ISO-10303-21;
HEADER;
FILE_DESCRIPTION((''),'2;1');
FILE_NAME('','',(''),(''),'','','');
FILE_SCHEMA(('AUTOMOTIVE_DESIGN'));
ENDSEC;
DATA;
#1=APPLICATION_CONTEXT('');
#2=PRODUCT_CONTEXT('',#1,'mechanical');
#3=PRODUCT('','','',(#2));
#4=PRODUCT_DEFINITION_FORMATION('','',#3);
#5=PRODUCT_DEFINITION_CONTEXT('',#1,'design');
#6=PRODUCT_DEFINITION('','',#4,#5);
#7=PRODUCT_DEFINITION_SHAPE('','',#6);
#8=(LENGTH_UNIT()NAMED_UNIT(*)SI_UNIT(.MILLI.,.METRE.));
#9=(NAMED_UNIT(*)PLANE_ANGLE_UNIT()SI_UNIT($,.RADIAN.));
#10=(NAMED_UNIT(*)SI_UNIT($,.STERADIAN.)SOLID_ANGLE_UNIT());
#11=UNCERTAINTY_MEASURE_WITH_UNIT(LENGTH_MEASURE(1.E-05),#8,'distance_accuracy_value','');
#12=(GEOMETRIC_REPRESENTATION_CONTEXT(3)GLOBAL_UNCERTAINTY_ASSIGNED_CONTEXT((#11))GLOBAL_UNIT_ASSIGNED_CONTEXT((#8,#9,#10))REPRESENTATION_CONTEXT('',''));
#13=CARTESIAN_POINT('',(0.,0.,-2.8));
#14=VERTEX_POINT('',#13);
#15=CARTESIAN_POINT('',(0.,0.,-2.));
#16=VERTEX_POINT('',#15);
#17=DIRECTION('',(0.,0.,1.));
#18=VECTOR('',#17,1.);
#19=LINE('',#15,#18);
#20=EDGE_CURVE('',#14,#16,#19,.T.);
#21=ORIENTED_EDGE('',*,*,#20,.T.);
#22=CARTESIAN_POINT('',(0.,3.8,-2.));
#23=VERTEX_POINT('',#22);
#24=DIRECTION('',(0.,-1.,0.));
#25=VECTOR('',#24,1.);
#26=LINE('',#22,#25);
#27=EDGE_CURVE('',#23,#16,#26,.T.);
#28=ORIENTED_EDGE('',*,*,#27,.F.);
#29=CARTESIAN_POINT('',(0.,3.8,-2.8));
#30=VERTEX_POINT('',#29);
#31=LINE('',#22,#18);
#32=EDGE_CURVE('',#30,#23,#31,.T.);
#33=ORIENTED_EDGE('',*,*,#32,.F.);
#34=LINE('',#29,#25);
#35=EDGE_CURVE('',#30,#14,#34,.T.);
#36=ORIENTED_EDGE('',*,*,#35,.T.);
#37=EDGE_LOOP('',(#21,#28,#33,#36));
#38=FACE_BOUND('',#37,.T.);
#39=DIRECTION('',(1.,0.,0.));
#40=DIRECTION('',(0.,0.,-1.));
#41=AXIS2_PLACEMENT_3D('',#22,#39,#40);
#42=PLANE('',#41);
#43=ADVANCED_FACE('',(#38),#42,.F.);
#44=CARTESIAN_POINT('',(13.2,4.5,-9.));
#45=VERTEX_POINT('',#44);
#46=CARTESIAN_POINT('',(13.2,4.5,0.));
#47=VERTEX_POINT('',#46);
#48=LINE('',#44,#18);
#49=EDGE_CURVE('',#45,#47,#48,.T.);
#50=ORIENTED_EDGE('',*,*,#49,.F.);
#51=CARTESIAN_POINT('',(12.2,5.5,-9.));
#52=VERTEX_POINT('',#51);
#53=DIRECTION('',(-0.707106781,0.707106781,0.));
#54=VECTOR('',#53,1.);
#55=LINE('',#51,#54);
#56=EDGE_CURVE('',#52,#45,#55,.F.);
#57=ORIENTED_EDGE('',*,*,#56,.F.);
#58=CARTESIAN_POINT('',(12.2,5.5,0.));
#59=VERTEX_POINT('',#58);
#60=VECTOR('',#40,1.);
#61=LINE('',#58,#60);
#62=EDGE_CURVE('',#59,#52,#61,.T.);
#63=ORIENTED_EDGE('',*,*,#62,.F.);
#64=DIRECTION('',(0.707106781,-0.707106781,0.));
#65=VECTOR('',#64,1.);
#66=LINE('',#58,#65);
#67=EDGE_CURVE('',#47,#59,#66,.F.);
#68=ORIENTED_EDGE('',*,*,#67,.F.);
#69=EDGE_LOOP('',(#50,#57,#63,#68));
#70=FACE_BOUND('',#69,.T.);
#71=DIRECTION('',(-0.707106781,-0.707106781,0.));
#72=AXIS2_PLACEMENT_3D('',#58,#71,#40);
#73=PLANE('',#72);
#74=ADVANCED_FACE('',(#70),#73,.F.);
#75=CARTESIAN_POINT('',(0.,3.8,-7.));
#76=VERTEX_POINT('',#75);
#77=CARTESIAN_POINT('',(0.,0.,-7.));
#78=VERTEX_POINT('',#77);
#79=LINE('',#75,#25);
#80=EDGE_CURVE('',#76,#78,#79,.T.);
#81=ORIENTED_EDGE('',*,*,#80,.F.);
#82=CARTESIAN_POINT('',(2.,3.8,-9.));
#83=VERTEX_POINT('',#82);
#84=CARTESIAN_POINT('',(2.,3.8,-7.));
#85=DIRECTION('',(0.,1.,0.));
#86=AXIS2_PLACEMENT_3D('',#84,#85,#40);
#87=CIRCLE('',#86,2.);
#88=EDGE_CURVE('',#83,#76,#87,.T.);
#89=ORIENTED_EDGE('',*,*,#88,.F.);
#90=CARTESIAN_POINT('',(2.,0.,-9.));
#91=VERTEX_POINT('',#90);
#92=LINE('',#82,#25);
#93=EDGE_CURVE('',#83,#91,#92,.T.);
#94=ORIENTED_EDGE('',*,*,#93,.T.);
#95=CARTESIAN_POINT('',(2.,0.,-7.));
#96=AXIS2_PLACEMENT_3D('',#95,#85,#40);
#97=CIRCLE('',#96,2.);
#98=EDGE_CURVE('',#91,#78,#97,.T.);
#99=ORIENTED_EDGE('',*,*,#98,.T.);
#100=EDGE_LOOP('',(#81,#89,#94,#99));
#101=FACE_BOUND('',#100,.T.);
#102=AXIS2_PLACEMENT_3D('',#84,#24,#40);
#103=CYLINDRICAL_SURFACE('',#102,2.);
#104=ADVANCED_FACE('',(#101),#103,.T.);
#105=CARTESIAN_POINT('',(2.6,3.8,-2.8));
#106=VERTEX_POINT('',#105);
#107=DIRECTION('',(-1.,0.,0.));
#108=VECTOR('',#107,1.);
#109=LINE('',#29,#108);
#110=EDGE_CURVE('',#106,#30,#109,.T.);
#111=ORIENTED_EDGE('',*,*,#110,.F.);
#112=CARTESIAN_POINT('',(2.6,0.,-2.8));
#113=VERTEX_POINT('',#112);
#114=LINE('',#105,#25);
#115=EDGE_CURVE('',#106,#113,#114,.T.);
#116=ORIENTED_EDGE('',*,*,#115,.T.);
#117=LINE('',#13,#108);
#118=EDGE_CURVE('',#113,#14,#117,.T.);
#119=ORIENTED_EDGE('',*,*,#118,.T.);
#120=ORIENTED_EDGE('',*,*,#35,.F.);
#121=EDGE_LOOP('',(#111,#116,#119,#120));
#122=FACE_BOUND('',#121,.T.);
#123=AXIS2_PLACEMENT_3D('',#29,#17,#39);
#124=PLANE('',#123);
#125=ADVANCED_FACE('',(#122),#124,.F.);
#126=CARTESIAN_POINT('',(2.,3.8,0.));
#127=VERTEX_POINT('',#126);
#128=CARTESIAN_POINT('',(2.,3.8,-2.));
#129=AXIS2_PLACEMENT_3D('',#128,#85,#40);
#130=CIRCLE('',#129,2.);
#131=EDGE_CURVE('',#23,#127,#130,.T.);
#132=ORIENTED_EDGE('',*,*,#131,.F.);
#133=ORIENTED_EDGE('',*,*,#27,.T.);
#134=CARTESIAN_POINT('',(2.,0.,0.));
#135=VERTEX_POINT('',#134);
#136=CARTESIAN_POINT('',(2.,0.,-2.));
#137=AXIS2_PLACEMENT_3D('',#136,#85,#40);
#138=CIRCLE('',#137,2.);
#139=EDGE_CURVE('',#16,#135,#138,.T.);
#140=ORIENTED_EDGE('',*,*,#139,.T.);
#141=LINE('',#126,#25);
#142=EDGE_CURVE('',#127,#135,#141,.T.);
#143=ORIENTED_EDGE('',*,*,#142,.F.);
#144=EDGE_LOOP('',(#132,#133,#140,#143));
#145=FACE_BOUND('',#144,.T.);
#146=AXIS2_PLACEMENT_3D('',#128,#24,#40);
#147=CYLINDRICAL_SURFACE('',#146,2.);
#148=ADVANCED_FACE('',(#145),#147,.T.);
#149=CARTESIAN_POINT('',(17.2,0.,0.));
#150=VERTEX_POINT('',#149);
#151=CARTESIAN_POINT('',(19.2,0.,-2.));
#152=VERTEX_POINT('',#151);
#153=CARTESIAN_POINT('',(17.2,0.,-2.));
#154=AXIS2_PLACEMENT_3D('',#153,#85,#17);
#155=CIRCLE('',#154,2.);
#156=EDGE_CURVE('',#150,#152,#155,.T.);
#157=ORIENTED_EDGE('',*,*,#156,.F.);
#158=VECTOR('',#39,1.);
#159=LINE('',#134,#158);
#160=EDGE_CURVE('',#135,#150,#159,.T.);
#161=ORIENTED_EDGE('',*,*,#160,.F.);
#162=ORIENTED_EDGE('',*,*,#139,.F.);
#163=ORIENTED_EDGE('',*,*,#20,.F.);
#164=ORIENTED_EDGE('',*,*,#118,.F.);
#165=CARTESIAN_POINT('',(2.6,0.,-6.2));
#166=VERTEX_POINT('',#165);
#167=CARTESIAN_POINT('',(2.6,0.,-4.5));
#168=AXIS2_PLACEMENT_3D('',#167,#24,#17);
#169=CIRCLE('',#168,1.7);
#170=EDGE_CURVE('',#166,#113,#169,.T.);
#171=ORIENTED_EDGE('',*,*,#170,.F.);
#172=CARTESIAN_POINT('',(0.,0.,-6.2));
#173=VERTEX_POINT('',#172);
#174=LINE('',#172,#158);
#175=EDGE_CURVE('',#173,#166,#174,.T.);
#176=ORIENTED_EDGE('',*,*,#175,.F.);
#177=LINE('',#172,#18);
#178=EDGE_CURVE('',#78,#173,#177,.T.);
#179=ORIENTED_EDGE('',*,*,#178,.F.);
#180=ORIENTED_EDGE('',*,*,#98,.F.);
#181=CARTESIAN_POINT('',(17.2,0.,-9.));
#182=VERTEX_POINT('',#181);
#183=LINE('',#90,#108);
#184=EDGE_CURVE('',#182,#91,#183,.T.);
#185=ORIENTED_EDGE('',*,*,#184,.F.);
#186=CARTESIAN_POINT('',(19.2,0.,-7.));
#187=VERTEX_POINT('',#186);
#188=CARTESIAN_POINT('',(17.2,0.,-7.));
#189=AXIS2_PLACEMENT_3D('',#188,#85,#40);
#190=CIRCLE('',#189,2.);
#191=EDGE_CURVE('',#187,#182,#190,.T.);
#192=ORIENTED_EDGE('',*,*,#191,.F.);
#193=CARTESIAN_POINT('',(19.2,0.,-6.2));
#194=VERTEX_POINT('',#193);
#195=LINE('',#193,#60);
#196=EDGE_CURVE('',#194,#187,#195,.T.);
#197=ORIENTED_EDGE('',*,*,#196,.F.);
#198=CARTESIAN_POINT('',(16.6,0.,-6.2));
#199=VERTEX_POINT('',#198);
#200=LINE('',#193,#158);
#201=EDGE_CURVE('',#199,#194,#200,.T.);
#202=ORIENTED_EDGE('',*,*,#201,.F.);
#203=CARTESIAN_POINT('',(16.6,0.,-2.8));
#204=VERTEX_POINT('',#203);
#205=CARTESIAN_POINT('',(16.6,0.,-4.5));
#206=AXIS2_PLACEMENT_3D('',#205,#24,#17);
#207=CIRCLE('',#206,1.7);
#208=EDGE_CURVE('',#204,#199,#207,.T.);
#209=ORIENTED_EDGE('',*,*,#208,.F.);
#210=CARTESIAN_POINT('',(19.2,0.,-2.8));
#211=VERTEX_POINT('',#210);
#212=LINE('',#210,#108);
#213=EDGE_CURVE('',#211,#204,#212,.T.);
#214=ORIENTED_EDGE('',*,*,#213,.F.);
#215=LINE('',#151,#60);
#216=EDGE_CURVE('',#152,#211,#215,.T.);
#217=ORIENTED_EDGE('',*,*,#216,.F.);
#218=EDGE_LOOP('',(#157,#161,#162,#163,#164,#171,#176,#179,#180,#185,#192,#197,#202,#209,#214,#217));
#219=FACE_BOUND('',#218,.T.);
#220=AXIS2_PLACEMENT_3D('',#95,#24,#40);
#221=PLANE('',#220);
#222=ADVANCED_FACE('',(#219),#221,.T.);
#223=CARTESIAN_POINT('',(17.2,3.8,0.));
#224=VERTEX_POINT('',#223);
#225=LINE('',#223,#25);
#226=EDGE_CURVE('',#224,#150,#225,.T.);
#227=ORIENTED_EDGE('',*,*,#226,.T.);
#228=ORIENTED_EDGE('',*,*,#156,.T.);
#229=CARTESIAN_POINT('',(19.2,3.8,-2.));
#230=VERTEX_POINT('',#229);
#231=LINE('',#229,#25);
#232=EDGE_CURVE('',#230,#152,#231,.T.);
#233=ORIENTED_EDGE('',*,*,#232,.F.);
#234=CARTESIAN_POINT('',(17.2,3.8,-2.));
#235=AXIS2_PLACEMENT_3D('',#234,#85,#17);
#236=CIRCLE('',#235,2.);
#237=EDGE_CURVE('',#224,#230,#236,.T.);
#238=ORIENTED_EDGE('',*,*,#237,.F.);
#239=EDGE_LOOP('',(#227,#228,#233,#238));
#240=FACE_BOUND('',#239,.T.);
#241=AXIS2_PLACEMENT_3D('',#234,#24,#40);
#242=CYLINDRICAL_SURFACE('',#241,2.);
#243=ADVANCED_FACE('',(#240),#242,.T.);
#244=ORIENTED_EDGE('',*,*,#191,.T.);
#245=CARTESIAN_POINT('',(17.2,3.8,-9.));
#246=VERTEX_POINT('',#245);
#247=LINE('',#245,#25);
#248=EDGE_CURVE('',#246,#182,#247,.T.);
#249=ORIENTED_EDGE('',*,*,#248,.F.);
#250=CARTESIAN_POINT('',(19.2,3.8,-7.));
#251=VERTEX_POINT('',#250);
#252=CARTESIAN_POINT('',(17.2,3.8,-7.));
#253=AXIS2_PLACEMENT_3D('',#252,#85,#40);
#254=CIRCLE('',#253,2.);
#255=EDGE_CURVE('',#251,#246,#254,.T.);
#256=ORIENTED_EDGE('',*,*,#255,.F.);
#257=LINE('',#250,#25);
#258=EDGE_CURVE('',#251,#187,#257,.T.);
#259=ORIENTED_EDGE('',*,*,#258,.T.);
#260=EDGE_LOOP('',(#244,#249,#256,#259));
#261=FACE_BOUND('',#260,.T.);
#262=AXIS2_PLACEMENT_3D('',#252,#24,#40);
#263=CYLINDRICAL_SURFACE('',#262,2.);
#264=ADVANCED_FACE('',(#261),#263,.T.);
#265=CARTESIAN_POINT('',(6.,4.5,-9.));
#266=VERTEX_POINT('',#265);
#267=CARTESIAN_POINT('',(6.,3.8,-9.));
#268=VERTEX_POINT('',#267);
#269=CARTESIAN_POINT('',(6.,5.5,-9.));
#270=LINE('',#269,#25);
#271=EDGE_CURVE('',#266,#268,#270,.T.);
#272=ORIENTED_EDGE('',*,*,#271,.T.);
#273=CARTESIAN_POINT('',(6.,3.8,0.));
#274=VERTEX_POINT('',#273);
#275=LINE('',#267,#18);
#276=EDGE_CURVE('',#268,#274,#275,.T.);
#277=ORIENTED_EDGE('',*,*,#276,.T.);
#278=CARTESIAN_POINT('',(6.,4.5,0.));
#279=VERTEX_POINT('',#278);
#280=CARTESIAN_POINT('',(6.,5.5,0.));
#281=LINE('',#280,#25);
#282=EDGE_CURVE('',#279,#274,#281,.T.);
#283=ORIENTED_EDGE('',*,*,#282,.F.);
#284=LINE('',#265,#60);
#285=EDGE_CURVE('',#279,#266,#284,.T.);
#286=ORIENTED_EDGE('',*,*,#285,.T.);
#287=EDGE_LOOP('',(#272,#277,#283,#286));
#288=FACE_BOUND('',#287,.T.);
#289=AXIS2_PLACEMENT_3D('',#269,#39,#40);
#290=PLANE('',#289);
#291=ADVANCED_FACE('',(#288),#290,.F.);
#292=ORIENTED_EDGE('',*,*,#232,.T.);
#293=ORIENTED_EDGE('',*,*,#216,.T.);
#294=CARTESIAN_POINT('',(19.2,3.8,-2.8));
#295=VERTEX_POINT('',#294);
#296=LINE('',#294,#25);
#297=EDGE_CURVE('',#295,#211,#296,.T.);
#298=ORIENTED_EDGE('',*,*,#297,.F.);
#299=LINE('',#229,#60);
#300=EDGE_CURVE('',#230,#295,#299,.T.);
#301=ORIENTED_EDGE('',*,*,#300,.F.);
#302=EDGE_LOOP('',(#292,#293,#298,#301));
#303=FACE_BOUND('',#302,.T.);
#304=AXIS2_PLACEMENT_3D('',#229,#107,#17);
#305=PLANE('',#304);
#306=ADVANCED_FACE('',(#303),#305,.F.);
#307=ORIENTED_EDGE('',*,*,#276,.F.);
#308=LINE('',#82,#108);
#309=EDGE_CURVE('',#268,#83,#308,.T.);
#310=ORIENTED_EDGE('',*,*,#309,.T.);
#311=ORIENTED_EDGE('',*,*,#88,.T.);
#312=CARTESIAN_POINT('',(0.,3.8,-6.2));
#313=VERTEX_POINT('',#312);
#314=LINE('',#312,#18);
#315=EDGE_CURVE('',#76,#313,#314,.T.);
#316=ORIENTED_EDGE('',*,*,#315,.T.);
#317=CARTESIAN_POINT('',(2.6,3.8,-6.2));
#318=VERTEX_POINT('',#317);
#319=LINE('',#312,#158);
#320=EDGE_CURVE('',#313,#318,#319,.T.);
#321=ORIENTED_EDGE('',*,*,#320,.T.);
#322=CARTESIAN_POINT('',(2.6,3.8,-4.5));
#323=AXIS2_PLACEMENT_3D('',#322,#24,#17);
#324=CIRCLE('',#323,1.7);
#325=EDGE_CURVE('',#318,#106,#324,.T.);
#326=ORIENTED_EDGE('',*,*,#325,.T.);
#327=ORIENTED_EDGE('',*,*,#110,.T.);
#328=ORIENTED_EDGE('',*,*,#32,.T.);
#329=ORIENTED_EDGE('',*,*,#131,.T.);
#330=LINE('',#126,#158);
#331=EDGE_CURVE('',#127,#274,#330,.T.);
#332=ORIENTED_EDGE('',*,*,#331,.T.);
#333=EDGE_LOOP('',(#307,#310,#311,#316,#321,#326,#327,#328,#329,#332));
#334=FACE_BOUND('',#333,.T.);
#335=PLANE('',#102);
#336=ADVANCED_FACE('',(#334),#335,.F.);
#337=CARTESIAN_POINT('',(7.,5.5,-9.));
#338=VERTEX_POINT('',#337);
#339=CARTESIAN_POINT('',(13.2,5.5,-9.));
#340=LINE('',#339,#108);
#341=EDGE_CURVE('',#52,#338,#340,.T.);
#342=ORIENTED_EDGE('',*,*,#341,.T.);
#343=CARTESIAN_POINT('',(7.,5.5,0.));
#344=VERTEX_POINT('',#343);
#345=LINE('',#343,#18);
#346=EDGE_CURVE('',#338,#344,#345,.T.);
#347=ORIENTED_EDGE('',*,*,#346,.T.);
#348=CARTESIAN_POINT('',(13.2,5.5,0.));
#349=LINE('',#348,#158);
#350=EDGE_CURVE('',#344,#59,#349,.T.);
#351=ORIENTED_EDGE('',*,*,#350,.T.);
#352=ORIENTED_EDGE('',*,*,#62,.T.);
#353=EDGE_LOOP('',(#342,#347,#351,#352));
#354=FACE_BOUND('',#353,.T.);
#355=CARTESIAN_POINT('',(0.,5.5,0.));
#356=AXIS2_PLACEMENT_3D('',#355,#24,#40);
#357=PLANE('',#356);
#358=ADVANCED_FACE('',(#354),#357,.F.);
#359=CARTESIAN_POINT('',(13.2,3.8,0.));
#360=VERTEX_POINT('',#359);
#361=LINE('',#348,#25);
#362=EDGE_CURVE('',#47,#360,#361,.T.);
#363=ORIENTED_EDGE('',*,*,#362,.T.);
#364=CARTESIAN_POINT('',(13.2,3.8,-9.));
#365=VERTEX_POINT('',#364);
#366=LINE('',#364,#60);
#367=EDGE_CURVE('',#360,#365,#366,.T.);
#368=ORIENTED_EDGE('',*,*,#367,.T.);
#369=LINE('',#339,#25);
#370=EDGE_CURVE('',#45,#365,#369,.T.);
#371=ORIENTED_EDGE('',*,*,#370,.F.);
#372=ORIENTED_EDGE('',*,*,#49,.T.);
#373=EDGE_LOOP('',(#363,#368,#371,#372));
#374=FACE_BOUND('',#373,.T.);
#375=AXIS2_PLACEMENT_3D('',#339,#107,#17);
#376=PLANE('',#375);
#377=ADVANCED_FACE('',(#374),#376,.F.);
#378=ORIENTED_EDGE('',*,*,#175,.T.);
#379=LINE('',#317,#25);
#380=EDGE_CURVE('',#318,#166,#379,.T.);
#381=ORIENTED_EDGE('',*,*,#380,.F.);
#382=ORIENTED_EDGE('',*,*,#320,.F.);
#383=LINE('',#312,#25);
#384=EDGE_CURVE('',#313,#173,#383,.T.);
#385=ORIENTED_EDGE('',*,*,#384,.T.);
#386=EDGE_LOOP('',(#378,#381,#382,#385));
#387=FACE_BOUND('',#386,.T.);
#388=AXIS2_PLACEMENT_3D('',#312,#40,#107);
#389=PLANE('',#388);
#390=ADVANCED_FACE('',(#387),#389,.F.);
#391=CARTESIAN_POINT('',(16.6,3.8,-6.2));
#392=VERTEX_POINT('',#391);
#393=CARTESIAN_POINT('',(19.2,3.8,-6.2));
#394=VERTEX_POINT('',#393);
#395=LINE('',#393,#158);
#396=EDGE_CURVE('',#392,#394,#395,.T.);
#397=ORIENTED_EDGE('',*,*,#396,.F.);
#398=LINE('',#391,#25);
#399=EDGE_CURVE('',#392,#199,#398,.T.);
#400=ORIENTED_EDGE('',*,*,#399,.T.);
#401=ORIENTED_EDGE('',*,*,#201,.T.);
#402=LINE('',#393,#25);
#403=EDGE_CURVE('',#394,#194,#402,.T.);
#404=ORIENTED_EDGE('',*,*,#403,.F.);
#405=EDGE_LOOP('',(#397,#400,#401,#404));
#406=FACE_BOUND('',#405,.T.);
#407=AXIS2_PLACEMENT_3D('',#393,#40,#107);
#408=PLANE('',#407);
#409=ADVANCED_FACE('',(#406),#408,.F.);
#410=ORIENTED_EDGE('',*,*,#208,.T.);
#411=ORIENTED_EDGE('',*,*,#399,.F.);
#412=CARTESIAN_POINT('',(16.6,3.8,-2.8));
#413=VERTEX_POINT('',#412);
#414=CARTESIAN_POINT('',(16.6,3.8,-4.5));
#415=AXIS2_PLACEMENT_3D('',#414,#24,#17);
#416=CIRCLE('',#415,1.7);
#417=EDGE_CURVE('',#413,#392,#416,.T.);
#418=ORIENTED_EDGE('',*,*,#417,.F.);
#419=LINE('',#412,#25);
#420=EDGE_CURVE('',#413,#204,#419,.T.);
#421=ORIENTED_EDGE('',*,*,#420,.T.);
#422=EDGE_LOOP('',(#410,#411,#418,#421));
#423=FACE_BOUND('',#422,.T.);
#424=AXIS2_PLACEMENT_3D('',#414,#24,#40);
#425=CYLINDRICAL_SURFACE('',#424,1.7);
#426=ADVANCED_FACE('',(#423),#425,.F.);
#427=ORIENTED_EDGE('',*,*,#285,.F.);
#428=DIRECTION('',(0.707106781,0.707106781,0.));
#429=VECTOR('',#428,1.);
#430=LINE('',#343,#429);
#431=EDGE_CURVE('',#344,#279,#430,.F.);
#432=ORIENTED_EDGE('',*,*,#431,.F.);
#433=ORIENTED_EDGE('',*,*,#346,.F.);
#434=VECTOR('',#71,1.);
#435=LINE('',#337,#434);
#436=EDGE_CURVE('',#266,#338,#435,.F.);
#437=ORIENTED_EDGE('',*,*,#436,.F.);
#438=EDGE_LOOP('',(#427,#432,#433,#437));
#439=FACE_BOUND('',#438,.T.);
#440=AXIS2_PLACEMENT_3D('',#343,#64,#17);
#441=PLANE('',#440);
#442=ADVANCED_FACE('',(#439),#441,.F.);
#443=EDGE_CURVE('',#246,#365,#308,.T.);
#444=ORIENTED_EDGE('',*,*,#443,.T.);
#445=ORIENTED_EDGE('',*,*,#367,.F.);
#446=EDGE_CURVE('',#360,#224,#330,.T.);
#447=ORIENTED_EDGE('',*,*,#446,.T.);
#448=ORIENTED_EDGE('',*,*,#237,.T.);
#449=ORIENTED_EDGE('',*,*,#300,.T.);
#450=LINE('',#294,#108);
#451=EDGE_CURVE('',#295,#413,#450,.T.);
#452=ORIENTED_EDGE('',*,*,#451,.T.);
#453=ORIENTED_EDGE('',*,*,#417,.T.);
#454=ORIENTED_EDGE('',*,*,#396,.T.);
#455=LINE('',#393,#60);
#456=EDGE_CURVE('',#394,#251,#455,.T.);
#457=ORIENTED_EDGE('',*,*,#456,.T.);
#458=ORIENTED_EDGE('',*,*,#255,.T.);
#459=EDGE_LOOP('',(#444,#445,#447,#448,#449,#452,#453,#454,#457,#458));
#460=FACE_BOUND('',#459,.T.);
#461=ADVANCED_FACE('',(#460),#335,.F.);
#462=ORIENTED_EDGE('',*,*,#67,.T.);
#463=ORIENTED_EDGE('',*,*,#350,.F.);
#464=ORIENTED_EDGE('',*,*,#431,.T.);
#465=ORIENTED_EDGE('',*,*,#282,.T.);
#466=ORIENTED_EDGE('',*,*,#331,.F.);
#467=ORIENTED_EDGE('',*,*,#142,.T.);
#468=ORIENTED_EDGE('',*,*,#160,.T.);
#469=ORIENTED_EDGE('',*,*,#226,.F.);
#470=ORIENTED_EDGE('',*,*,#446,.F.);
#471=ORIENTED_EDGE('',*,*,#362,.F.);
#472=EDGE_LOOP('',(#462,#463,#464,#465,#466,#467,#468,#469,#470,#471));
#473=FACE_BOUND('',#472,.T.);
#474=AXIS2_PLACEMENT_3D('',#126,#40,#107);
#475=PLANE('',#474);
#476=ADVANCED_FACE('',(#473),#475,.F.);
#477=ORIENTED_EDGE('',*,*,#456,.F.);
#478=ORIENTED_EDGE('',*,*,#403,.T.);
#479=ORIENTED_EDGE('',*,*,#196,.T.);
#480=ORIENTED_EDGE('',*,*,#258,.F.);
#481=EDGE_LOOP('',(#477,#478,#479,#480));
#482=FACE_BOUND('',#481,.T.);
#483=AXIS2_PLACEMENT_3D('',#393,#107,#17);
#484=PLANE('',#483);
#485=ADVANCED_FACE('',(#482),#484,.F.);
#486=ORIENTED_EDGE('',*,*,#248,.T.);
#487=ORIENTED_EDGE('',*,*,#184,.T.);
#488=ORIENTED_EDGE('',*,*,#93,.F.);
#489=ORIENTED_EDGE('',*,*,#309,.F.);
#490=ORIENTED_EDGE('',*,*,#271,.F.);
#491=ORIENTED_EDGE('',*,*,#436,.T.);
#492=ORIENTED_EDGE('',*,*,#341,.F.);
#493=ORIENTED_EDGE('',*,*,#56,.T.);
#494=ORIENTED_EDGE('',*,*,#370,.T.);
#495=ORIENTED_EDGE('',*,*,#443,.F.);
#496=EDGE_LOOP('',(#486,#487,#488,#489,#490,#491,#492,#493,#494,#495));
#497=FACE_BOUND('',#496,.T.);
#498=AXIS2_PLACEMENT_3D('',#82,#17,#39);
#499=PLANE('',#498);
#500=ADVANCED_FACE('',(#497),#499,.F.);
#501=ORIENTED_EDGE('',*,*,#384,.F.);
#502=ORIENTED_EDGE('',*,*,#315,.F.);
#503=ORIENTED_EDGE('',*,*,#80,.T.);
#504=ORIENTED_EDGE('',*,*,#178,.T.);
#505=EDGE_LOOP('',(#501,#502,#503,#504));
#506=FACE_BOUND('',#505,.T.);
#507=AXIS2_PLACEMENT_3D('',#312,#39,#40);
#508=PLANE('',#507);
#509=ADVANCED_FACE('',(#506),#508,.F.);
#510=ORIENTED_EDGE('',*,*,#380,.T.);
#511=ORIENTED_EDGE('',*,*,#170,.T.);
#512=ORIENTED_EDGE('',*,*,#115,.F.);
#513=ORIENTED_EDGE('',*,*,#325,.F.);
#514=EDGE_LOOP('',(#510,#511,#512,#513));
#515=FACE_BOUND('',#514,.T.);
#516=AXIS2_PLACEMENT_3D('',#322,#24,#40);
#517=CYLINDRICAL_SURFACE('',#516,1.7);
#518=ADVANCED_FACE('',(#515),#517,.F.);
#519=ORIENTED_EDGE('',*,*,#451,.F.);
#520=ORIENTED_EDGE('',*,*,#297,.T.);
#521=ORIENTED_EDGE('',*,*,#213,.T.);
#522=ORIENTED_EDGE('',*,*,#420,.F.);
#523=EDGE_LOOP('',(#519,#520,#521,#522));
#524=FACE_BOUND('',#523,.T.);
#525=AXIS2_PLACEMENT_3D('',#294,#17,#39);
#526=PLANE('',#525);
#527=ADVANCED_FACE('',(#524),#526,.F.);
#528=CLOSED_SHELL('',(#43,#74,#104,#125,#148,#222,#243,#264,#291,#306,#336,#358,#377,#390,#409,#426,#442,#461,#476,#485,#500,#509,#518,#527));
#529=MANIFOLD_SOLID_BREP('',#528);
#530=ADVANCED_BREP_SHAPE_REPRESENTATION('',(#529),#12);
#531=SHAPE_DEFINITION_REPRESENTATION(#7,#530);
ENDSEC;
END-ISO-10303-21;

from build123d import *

# Parameters (mm, degrees)
BOSS_EXTRUDE1_DEPTH = 3.8
SKETCH3_W           = 7.2
SKETCH3_H           = 9
BOSS_EXTRUDE2_DEPTH = 1.7
CHAMFER1_SIZE       = 1


with BuildPart() as part:
    # Sketch1 → Boss-Extrude1 (new body)
    with BuildSketch(Plane(origin=(0, 0, 0), x_dir=(1, 0, 0), z_dir=(0, 1, 0))):
        with BuildLine():
            Line((0, 6.2), (2.6, 6.2))
            ThreePointArc((2.6, 6.2), (4.3, 4.5), (2.6, 2.8))
            Line((2.6, 2.8), (0, 2.8))
            Line((0, 2.8), (0, 2))
            ThreePointArc((0, 2), (0.585786438, 0.585786438), (2, 0))
            Line((2, 0), (17.2, 0))
            ThreePointArc((17.2, 0), (18.614213562, 0.585786438), (19.2, 2))
            Line((19.2, 2), (19.2, 2.8))
            Line((19.2, 2.8), (16.6, 2.8))
            ThreePointArc((16.6, 2.8), (14.9, 4.5), (16.6, 6.2))
            Line((16.6, 6.2), (19.2, 6.2))
            Line((19.2, 6.2), (19.2, 7))
            ThreePointArc((19.2, 7), (18.614213562, 8.414213562), (17.2, 9))
            Line((17.2, 9), (2, 9))
            ThreePointArc((2, 9), (0.585786438, 8.414213562), (0, 7))
            Line((0, 7), (0, 6.2))
        make_face()
    extrude(amount=BOSS_EXTRUDE1_DEPTH)

    # Sketch3 → Boss-Extrude2 (add)
    with BuildSketch(Plane(origin=(0, 3.8, 0), x_dir=(1, 0, 0), z_dir=(0, 1, 0))):
        with Locations((9.6, 4.5)):
            Rectangle(SKETCH3_W, SKETCH3_H)
    extrude(amount=BOSS_EXTRUDE2_DEPTH)

    # Chamfer1
    chamfer1_edges = [part.edges().sort_by_distance(p)[0] for p in [
        (13.2, 5.5, -4.5),
        (6, 5.5, -4.5),
    ]]
    chamfer(chamfer1_edges, length=CHAMFER1_SIZE)


solid = part.part
